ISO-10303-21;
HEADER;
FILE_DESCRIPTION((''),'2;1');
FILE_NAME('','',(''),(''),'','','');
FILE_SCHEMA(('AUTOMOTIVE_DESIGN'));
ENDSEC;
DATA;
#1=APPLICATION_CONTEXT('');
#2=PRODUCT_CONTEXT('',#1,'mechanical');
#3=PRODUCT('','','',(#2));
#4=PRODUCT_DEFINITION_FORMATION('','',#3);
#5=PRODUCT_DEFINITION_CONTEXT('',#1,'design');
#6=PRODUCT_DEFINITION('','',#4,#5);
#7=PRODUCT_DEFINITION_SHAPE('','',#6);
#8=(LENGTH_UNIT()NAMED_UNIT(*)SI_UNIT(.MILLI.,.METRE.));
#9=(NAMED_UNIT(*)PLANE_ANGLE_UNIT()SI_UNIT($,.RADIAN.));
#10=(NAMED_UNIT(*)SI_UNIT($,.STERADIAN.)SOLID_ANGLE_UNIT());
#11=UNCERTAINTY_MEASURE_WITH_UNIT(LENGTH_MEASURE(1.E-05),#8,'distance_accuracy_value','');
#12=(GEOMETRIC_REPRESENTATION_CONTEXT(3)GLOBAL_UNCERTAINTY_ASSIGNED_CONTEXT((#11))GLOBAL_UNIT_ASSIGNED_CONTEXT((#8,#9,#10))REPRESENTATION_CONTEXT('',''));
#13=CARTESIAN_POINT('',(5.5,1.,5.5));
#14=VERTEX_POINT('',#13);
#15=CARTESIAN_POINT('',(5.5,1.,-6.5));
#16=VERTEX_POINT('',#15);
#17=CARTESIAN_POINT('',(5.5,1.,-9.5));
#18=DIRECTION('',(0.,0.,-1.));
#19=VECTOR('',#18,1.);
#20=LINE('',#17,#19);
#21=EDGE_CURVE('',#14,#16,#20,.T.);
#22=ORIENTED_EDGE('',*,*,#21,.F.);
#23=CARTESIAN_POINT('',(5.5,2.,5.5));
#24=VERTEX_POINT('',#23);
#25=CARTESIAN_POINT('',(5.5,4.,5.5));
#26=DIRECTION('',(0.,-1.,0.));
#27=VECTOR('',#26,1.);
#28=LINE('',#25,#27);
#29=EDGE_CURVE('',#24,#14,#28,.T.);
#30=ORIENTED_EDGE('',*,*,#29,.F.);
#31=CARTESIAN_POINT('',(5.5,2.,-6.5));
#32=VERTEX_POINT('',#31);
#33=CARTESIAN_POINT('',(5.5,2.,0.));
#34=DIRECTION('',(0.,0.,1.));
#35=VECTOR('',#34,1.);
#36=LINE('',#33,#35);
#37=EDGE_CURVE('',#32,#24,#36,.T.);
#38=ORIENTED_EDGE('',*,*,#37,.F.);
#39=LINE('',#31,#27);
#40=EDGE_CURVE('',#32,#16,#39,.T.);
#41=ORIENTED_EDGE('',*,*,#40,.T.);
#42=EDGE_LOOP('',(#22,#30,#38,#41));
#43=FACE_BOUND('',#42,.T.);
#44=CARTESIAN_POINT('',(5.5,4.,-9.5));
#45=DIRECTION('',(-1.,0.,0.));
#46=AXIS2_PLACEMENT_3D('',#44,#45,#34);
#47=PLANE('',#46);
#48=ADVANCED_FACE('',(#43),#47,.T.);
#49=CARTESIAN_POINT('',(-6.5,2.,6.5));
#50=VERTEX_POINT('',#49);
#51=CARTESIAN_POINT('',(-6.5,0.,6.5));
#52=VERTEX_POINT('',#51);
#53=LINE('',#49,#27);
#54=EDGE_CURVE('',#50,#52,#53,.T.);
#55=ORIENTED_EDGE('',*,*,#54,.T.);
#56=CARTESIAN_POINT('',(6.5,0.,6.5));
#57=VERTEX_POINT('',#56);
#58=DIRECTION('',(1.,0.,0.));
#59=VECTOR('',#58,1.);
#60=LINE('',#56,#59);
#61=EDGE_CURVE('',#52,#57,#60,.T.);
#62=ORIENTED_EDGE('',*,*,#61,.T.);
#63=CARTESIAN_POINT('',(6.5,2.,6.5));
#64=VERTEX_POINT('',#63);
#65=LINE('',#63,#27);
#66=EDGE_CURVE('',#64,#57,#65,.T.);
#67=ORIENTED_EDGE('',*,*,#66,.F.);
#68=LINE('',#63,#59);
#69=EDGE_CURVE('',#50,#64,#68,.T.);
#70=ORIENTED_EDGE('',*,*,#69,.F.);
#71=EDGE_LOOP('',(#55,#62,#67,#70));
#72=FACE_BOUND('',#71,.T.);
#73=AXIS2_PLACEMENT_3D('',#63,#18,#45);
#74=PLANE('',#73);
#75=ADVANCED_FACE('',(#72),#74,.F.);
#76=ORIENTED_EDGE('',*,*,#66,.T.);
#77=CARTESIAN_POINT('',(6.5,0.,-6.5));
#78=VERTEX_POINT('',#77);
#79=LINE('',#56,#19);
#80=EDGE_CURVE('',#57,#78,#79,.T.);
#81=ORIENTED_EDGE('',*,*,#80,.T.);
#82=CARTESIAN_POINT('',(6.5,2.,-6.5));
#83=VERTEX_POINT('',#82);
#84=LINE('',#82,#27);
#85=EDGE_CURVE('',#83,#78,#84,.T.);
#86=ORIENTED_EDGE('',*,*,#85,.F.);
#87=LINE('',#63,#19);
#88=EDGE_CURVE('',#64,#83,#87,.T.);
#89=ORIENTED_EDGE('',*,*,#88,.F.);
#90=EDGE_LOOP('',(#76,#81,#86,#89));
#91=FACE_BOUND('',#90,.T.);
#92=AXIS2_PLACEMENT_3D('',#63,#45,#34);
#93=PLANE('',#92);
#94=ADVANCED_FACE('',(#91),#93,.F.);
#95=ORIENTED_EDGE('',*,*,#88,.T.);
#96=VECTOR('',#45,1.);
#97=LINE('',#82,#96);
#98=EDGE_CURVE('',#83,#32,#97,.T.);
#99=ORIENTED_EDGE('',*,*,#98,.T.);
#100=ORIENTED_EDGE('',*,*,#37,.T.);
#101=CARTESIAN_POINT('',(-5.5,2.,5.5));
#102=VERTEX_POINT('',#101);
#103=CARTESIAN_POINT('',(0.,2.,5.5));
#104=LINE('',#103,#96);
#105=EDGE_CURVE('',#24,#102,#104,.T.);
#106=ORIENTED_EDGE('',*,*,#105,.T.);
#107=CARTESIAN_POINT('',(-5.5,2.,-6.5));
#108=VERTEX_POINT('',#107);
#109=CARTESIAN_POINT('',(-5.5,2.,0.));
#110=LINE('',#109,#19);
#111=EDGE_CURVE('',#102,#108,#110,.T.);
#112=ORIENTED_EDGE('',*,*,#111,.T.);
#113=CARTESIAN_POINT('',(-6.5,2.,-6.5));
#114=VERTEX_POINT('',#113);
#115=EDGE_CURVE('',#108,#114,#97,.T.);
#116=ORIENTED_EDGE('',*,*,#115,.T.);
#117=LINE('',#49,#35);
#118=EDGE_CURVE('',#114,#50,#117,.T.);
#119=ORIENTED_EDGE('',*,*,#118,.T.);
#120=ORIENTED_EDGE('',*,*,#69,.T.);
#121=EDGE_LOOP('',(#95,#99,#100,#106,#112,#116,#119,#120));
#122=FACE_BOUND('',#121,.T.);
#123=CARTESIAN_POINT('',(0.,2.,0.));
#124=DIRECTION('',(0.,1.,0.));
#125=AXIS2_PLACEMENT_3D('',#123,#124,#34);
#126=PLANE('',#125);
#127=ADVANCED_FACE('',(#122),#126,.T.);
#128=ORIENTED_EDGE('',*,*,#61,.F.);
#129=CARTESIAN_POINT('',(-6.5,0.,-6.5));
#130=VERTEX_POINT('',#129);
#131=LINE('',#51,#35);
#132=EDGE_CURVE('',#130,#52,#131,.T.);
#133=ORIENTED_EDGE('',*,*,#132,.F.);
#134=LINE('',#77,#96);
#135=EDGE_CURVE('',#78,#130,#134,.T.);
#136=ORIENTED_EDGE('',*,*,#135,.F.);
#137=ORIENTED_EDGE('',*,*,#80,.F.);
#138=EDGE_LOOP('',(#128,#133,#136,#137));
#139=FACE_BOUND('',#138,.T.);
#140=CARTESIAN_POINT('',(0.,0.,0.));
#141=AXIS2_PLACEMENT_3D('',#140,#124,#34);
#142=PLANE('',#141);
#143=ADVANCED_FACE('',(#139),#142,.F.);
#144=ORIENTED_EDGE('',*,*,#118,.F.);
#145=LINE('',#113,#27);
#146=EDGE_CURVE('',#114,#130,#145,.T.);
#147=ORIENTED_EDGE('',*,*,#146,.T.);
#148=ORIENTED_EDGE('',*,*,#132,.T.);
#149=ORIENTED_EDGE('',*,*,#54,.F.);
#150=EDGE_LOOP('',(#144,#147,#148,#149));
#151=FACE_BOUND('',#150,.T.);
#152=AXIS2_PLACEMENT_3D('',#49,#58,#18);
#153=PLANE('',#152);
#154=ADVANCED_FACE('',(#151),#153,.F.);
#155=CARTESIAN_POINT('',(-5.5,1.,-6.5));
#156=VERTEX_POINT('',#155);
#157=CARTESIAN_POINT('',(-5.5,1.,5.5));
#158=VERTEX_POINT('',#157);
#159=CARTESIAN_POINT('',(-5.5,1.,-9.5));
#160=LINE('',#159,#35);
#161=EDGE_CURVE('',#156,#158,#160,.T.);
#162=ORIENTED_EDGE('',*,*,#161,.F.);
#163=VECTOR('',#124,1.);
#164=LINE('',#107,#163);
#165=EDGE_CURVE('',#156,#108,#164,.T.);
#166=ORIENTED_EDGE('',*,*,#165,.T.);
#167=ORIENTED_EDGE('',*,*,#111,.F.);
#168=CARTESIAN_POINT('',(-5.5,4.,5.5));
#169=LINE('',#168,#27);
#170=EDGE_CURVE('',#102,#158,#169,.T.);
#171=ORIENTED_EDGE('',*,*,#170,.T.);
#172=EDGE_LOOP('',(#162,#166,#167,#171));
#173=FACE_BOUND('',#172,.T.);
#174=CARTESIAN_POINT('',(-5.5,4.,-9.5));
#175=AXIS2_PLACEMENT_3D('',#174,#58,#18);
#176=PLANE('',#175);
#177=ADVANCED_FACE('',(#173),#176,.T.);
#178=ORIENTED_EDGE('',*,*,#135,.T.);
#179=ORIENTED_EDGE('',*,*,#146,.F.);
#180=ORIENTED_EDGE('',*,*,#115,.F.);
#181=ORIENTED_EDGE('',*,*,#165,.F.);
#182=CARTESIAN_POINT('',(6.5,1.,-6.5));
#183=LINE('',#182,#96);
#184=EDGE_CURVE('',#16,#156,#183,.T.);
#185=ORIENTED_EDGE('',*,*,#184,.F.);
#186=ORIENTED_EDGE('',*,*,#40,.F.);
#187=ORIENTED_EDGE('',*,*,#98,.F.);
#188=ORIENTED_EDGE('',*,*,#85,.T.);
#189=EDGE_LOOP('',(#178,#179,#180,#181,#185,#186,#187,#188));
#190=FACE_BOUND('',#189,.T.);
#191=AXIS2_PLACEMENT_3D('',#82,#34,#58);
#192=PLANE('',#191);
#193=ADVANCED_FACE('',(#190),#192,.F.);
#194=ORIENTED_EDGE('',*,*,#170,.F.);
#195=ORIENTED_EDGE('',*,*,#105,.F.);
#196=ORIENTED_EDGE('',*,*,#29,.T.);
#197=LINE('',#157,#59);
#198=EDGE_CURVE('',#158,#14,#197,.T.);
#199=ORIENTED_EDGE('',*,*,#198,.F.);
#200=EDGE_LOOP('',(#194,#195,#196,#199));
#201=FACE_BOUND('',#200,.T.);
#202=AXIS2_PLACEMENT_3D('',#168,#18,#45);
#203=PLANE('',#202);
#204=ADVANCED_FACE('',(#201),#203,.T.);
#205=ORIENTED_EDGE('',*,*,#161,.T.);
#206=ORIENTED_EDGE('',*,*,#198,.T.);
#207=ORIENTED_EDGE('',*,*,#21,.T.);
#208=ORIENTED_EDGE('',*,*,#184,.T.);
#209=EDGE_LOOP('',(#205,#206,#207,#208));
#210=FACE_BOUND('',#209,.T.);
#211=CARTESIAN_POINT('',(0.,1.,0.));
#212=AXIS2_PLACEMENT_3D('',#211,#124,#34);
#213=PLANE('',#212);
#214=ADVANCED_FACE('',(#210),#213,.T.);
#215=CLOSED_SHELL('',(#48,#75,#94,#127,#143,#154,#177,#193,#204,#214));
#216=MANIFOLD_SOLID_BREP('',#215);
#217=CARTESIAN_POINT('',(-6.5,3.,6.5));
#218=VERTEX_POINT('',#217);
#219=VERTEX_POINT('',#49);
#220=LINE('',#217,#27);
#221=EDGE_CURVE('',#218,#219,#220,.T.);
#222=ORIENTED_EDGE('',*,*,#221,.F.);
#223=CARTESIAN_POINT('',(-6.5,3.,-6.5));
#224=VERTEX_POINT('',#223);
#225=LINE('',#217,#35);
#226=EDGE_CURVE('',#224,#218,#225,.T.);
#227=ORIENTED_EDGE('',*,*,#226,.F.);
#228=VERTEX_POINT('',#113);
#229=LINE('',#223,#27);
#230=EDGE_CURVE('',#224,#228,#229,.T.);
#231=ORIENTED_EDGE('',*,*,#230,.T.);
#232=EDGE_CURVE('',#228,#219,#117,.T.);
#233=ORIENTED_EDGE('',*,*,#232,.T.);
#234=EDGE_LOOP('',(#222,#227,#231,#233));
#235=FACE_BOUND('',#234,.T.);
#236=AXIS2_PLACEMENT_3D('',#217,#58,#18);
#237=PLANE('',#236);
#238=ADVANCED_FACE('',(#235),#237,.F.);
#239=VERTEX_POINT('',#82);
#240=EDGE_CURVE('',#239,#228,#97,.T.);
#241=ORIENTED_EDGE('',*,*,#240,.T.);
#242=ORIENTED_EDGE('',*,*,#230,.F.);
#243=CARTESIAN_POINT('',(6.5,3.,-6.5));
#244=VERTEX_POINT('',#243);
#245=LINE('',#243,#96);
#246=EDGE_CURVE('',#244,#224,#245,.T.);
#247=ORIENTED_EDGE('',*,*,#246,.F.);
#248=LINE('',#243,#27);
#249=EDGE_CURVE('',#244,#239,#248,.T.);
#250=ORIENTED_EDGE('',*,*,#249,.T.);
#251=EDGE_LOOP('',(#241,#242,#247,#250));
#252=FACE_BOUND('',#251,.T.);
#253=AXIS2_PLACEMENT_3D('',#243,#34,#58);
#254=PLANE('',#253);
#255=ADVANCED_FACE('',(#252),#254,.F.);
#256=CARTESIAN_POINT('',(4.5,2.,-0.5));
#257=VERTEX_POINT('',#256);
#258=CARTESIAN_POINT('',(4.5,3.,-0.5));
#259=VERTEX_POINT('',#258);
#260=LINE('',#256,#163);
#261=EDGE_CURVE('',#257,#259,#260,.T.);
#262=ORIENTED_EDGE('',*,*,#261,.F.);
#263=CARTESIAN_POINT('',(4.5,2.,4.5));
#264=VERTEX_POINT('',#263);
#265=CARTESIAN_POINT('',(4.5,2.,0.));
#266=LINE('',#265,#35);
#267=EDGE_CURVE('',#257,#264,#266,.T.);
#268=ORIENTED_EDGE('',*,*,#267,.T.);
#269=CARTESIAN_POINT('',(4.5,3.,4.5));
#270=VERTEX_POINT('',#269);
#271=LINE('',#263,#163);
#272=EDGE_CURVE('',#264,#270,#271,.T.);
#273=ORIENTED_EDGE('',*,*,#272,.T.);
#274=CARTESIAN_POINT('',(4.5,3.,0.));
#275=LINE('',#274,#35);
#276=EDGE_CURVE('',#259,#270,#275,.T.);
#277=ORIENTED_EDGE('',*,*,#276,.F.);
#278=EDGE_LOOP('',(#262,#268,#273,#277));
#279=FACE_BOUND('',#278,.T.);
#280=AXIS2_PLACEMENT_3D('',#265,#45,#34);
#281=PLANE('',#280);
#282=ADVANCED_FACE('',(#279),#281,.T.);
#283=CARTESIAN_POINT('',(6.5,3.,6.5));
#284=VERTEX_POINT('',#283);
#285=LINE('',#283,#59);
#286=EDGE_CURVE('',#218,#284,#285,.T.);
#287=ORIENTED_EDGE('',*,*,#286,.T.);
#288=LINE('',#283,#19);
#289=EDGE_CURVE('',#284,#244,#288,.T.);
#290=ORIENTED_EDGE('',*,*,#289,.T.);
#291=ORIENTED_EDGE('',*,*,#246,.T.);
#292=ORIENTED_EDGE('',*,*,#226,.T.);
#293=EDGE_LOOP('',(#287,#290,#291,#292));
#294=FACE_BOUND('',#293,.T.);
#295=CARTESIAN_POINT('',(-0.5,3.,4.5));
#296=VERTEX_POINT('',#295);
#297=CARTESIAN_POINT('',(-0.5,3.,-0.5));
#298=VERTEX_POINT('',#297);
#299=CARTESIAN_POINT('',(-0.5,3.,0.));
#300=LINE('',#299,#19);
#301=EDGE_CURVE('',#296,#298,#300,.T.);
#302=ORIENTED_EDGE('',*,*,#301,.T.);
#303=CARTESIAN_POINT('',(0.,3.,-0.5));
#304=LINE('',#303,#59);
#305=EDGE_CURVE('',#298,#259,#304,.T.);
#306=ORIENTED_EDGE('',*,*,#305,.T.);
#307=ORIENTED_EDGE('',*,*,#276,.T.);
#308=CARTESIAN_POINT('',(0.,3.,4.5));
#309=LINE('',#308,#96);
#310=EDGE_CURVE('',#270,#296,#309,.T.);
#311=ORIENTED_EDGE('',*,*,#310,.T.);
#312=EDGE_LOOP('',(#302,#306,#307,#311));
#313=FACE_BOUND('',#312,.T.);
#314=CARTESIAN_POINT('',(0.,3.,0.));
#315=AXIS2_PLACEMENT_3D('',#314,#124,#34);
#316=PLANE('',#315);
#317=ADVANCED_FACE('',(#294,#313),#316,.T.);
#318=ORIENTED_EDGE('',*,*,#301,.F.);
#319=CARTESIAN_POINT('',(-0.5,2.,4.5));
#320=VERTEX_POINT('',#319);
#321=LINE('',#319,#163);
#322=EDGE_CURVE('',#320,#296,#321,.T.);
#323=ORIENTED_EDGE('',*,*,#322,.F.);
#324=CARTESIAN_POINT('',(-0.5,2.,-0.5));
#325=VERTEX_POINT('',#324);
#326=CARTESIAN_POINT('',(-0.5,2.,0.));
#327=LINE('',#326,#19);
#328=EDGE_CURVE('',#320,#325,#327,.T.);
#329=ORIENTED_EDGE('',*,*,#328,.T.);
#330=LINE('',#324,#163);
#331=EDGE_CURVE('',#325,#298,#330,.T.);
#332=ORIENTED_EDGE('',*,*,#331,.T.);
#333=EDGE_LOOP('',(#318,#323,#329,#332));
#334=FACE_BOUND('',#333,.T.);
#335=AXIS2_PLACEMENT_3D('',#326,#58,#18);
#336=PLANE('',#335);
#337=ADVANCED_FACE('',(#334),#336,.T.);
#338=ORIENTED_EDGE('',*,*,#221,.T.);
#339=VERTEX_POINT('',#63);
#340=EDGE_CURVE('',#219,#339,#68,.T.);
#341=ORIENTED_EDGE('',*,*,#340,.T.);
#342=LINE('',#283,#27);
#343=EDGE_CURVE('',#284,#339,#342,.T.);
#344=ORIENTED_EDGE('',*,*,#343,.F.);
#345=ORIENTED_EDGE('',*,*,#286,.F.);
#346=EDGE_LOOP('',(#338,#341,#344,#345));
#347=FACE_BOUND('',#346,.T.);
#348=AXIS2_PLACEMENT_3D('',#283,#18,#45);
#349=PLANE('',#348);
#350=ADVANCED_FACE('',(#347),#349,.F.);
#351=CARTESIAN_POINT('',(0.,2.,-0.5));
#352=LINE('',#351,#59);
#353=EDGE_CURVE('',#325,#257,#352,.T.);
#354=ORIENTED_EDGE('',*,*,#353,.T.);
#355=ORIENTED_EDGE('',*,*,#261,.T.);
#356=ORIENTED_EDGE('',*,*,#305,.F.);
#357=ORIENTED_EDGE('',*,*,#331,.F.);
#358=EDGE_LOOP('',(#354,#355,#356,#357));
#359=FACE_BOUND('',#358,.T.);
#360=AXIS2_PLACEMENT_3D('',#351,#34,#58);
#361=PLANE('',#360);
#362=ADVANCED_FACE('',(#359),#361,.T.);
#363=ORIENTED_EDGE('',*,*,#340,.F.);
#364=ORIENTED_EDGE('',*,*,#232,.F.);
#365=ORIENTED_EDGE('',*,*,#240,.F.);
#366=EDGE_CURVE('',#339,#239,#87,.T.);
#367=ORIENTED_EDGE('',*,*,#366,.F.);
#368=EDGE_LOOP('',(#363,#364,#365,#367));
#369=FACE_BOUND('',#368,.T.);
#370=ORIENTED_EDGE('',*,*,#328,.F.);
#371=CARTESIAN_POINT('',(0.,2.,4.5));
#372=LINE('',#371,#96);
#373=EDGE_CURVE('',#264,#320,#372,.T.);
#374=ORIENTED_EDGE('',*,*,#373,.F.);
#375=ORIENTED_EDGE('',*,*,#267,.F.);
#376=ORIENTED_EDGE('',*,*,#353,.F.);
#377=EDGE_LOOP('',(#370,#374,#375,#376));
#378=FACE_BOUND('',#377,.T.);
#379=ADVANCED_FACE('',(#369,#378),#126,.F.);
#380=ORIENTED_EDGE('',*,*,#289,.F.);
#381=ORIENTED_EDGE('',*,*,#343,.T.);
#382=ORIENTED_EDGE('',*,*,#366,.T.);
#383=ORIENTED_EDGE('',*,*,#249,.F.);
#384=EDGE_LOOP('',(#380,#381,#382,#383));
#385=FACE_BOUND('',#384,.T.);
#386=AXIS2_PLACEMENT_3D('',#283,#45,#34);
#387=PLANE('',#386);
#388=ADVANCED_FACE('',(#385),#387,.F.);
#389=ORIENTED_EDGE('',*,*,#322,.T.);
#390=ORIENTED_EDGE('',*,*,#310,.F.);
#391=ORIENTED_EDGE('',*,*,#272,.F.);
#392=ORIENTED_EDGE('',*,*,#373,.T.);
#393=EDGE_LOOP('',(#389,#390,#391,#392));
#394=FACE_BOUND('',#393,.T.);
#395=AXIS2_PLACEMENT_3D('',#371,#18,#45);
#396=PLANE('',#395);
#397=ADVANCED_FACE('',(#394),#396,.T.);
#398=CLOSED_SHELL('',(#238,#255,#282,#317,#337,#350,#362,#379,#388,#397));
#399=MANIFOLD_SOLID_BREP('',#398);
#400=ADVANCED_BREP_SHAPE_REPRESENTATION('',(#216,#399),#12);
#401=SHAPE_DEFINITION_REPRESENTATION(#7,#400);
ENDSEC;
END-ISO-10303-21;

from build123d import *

# Parameters (mm, degrees)
SKETCH_1_W          = 13
SKETCH_1_H          = 13
EXTRUDE_1_DEPTH     = 2
CUT_EXTRUDE_START   = 1
SKETCH_2_W          = 11
SKETCH_2_H          = 15
CUT_EXTRUDE_1_DEPTH = 3
EXTRUDE_START       = 2
SKETCH_3_W          = 13
SKETCH_3_H          = 13
EXTRUDE_3_DEPTH     = 1
CUT_EXTRUDE_START_2 = 3
SKETCH_4_W          = 5
SKETCH_4_H          = 5
CUT_EXTRUDE_2_DEPTH = 1


with BuildPart() as part:
    # 스케치1 → 보스-돌출1 (new body)
    with BuildSketch(Plane(origin=(0, 0, 0), x_dir=(1, 0, 0), z_dir=(0, 1, 0))):
        Rectangle(SKETCH_1_W, SKETCH_1_H)
    extrude(amount=EXTRUDE_1_DEPTH)

    # 스케치2 → 컷-돌출1 (cut)
    with BuildSketch(Plane(origin=(0, 0, 0), x_dir=(1, 0, 0), z_dir=(0, 1, 0)).offset(CUT_EXTRUDE_START)):
        with Locations((0, 2)):
            Rectangle(SKETCH_2_W, SKETCH_2_H)
    extrude(amount=CUT_EXTRUDE_1_DEPTH, mode=Mode.SUBTRACT)


with BuildPart() as body_2:
    # 스케치3 → 보스-돌출3 (new body)
    with BuildSketch(Plane(origin=(0, 0, 0), x_dir=(1, 0, 0), z_dir=(0, 1, 0)).offset(EXTRUDE_START)):
        Rectangle(SKETCH_3_W, SKETCH_3_H)
    extrude(amount=EXTRUDE_3_DEPTH)

    # 스케치4 → 컷-돌출2 (cut)
    with BuildSketch(Plane(origin=(0, 0, 0), x_dir=(1, 0, 0), z_dir=(0, 1, 0)).offset(CUT_EXTRUDE_START_2)):
        with Locations((2, -2)):
            Rectangle(SKETCH_4_W, SKETCH_4_H)
    extrude(amount=-CUT_EXTRUDE_2_DEPTH, mode=Mode.SUBTRACT)


solid = Compound([part.part, body_2.part])
